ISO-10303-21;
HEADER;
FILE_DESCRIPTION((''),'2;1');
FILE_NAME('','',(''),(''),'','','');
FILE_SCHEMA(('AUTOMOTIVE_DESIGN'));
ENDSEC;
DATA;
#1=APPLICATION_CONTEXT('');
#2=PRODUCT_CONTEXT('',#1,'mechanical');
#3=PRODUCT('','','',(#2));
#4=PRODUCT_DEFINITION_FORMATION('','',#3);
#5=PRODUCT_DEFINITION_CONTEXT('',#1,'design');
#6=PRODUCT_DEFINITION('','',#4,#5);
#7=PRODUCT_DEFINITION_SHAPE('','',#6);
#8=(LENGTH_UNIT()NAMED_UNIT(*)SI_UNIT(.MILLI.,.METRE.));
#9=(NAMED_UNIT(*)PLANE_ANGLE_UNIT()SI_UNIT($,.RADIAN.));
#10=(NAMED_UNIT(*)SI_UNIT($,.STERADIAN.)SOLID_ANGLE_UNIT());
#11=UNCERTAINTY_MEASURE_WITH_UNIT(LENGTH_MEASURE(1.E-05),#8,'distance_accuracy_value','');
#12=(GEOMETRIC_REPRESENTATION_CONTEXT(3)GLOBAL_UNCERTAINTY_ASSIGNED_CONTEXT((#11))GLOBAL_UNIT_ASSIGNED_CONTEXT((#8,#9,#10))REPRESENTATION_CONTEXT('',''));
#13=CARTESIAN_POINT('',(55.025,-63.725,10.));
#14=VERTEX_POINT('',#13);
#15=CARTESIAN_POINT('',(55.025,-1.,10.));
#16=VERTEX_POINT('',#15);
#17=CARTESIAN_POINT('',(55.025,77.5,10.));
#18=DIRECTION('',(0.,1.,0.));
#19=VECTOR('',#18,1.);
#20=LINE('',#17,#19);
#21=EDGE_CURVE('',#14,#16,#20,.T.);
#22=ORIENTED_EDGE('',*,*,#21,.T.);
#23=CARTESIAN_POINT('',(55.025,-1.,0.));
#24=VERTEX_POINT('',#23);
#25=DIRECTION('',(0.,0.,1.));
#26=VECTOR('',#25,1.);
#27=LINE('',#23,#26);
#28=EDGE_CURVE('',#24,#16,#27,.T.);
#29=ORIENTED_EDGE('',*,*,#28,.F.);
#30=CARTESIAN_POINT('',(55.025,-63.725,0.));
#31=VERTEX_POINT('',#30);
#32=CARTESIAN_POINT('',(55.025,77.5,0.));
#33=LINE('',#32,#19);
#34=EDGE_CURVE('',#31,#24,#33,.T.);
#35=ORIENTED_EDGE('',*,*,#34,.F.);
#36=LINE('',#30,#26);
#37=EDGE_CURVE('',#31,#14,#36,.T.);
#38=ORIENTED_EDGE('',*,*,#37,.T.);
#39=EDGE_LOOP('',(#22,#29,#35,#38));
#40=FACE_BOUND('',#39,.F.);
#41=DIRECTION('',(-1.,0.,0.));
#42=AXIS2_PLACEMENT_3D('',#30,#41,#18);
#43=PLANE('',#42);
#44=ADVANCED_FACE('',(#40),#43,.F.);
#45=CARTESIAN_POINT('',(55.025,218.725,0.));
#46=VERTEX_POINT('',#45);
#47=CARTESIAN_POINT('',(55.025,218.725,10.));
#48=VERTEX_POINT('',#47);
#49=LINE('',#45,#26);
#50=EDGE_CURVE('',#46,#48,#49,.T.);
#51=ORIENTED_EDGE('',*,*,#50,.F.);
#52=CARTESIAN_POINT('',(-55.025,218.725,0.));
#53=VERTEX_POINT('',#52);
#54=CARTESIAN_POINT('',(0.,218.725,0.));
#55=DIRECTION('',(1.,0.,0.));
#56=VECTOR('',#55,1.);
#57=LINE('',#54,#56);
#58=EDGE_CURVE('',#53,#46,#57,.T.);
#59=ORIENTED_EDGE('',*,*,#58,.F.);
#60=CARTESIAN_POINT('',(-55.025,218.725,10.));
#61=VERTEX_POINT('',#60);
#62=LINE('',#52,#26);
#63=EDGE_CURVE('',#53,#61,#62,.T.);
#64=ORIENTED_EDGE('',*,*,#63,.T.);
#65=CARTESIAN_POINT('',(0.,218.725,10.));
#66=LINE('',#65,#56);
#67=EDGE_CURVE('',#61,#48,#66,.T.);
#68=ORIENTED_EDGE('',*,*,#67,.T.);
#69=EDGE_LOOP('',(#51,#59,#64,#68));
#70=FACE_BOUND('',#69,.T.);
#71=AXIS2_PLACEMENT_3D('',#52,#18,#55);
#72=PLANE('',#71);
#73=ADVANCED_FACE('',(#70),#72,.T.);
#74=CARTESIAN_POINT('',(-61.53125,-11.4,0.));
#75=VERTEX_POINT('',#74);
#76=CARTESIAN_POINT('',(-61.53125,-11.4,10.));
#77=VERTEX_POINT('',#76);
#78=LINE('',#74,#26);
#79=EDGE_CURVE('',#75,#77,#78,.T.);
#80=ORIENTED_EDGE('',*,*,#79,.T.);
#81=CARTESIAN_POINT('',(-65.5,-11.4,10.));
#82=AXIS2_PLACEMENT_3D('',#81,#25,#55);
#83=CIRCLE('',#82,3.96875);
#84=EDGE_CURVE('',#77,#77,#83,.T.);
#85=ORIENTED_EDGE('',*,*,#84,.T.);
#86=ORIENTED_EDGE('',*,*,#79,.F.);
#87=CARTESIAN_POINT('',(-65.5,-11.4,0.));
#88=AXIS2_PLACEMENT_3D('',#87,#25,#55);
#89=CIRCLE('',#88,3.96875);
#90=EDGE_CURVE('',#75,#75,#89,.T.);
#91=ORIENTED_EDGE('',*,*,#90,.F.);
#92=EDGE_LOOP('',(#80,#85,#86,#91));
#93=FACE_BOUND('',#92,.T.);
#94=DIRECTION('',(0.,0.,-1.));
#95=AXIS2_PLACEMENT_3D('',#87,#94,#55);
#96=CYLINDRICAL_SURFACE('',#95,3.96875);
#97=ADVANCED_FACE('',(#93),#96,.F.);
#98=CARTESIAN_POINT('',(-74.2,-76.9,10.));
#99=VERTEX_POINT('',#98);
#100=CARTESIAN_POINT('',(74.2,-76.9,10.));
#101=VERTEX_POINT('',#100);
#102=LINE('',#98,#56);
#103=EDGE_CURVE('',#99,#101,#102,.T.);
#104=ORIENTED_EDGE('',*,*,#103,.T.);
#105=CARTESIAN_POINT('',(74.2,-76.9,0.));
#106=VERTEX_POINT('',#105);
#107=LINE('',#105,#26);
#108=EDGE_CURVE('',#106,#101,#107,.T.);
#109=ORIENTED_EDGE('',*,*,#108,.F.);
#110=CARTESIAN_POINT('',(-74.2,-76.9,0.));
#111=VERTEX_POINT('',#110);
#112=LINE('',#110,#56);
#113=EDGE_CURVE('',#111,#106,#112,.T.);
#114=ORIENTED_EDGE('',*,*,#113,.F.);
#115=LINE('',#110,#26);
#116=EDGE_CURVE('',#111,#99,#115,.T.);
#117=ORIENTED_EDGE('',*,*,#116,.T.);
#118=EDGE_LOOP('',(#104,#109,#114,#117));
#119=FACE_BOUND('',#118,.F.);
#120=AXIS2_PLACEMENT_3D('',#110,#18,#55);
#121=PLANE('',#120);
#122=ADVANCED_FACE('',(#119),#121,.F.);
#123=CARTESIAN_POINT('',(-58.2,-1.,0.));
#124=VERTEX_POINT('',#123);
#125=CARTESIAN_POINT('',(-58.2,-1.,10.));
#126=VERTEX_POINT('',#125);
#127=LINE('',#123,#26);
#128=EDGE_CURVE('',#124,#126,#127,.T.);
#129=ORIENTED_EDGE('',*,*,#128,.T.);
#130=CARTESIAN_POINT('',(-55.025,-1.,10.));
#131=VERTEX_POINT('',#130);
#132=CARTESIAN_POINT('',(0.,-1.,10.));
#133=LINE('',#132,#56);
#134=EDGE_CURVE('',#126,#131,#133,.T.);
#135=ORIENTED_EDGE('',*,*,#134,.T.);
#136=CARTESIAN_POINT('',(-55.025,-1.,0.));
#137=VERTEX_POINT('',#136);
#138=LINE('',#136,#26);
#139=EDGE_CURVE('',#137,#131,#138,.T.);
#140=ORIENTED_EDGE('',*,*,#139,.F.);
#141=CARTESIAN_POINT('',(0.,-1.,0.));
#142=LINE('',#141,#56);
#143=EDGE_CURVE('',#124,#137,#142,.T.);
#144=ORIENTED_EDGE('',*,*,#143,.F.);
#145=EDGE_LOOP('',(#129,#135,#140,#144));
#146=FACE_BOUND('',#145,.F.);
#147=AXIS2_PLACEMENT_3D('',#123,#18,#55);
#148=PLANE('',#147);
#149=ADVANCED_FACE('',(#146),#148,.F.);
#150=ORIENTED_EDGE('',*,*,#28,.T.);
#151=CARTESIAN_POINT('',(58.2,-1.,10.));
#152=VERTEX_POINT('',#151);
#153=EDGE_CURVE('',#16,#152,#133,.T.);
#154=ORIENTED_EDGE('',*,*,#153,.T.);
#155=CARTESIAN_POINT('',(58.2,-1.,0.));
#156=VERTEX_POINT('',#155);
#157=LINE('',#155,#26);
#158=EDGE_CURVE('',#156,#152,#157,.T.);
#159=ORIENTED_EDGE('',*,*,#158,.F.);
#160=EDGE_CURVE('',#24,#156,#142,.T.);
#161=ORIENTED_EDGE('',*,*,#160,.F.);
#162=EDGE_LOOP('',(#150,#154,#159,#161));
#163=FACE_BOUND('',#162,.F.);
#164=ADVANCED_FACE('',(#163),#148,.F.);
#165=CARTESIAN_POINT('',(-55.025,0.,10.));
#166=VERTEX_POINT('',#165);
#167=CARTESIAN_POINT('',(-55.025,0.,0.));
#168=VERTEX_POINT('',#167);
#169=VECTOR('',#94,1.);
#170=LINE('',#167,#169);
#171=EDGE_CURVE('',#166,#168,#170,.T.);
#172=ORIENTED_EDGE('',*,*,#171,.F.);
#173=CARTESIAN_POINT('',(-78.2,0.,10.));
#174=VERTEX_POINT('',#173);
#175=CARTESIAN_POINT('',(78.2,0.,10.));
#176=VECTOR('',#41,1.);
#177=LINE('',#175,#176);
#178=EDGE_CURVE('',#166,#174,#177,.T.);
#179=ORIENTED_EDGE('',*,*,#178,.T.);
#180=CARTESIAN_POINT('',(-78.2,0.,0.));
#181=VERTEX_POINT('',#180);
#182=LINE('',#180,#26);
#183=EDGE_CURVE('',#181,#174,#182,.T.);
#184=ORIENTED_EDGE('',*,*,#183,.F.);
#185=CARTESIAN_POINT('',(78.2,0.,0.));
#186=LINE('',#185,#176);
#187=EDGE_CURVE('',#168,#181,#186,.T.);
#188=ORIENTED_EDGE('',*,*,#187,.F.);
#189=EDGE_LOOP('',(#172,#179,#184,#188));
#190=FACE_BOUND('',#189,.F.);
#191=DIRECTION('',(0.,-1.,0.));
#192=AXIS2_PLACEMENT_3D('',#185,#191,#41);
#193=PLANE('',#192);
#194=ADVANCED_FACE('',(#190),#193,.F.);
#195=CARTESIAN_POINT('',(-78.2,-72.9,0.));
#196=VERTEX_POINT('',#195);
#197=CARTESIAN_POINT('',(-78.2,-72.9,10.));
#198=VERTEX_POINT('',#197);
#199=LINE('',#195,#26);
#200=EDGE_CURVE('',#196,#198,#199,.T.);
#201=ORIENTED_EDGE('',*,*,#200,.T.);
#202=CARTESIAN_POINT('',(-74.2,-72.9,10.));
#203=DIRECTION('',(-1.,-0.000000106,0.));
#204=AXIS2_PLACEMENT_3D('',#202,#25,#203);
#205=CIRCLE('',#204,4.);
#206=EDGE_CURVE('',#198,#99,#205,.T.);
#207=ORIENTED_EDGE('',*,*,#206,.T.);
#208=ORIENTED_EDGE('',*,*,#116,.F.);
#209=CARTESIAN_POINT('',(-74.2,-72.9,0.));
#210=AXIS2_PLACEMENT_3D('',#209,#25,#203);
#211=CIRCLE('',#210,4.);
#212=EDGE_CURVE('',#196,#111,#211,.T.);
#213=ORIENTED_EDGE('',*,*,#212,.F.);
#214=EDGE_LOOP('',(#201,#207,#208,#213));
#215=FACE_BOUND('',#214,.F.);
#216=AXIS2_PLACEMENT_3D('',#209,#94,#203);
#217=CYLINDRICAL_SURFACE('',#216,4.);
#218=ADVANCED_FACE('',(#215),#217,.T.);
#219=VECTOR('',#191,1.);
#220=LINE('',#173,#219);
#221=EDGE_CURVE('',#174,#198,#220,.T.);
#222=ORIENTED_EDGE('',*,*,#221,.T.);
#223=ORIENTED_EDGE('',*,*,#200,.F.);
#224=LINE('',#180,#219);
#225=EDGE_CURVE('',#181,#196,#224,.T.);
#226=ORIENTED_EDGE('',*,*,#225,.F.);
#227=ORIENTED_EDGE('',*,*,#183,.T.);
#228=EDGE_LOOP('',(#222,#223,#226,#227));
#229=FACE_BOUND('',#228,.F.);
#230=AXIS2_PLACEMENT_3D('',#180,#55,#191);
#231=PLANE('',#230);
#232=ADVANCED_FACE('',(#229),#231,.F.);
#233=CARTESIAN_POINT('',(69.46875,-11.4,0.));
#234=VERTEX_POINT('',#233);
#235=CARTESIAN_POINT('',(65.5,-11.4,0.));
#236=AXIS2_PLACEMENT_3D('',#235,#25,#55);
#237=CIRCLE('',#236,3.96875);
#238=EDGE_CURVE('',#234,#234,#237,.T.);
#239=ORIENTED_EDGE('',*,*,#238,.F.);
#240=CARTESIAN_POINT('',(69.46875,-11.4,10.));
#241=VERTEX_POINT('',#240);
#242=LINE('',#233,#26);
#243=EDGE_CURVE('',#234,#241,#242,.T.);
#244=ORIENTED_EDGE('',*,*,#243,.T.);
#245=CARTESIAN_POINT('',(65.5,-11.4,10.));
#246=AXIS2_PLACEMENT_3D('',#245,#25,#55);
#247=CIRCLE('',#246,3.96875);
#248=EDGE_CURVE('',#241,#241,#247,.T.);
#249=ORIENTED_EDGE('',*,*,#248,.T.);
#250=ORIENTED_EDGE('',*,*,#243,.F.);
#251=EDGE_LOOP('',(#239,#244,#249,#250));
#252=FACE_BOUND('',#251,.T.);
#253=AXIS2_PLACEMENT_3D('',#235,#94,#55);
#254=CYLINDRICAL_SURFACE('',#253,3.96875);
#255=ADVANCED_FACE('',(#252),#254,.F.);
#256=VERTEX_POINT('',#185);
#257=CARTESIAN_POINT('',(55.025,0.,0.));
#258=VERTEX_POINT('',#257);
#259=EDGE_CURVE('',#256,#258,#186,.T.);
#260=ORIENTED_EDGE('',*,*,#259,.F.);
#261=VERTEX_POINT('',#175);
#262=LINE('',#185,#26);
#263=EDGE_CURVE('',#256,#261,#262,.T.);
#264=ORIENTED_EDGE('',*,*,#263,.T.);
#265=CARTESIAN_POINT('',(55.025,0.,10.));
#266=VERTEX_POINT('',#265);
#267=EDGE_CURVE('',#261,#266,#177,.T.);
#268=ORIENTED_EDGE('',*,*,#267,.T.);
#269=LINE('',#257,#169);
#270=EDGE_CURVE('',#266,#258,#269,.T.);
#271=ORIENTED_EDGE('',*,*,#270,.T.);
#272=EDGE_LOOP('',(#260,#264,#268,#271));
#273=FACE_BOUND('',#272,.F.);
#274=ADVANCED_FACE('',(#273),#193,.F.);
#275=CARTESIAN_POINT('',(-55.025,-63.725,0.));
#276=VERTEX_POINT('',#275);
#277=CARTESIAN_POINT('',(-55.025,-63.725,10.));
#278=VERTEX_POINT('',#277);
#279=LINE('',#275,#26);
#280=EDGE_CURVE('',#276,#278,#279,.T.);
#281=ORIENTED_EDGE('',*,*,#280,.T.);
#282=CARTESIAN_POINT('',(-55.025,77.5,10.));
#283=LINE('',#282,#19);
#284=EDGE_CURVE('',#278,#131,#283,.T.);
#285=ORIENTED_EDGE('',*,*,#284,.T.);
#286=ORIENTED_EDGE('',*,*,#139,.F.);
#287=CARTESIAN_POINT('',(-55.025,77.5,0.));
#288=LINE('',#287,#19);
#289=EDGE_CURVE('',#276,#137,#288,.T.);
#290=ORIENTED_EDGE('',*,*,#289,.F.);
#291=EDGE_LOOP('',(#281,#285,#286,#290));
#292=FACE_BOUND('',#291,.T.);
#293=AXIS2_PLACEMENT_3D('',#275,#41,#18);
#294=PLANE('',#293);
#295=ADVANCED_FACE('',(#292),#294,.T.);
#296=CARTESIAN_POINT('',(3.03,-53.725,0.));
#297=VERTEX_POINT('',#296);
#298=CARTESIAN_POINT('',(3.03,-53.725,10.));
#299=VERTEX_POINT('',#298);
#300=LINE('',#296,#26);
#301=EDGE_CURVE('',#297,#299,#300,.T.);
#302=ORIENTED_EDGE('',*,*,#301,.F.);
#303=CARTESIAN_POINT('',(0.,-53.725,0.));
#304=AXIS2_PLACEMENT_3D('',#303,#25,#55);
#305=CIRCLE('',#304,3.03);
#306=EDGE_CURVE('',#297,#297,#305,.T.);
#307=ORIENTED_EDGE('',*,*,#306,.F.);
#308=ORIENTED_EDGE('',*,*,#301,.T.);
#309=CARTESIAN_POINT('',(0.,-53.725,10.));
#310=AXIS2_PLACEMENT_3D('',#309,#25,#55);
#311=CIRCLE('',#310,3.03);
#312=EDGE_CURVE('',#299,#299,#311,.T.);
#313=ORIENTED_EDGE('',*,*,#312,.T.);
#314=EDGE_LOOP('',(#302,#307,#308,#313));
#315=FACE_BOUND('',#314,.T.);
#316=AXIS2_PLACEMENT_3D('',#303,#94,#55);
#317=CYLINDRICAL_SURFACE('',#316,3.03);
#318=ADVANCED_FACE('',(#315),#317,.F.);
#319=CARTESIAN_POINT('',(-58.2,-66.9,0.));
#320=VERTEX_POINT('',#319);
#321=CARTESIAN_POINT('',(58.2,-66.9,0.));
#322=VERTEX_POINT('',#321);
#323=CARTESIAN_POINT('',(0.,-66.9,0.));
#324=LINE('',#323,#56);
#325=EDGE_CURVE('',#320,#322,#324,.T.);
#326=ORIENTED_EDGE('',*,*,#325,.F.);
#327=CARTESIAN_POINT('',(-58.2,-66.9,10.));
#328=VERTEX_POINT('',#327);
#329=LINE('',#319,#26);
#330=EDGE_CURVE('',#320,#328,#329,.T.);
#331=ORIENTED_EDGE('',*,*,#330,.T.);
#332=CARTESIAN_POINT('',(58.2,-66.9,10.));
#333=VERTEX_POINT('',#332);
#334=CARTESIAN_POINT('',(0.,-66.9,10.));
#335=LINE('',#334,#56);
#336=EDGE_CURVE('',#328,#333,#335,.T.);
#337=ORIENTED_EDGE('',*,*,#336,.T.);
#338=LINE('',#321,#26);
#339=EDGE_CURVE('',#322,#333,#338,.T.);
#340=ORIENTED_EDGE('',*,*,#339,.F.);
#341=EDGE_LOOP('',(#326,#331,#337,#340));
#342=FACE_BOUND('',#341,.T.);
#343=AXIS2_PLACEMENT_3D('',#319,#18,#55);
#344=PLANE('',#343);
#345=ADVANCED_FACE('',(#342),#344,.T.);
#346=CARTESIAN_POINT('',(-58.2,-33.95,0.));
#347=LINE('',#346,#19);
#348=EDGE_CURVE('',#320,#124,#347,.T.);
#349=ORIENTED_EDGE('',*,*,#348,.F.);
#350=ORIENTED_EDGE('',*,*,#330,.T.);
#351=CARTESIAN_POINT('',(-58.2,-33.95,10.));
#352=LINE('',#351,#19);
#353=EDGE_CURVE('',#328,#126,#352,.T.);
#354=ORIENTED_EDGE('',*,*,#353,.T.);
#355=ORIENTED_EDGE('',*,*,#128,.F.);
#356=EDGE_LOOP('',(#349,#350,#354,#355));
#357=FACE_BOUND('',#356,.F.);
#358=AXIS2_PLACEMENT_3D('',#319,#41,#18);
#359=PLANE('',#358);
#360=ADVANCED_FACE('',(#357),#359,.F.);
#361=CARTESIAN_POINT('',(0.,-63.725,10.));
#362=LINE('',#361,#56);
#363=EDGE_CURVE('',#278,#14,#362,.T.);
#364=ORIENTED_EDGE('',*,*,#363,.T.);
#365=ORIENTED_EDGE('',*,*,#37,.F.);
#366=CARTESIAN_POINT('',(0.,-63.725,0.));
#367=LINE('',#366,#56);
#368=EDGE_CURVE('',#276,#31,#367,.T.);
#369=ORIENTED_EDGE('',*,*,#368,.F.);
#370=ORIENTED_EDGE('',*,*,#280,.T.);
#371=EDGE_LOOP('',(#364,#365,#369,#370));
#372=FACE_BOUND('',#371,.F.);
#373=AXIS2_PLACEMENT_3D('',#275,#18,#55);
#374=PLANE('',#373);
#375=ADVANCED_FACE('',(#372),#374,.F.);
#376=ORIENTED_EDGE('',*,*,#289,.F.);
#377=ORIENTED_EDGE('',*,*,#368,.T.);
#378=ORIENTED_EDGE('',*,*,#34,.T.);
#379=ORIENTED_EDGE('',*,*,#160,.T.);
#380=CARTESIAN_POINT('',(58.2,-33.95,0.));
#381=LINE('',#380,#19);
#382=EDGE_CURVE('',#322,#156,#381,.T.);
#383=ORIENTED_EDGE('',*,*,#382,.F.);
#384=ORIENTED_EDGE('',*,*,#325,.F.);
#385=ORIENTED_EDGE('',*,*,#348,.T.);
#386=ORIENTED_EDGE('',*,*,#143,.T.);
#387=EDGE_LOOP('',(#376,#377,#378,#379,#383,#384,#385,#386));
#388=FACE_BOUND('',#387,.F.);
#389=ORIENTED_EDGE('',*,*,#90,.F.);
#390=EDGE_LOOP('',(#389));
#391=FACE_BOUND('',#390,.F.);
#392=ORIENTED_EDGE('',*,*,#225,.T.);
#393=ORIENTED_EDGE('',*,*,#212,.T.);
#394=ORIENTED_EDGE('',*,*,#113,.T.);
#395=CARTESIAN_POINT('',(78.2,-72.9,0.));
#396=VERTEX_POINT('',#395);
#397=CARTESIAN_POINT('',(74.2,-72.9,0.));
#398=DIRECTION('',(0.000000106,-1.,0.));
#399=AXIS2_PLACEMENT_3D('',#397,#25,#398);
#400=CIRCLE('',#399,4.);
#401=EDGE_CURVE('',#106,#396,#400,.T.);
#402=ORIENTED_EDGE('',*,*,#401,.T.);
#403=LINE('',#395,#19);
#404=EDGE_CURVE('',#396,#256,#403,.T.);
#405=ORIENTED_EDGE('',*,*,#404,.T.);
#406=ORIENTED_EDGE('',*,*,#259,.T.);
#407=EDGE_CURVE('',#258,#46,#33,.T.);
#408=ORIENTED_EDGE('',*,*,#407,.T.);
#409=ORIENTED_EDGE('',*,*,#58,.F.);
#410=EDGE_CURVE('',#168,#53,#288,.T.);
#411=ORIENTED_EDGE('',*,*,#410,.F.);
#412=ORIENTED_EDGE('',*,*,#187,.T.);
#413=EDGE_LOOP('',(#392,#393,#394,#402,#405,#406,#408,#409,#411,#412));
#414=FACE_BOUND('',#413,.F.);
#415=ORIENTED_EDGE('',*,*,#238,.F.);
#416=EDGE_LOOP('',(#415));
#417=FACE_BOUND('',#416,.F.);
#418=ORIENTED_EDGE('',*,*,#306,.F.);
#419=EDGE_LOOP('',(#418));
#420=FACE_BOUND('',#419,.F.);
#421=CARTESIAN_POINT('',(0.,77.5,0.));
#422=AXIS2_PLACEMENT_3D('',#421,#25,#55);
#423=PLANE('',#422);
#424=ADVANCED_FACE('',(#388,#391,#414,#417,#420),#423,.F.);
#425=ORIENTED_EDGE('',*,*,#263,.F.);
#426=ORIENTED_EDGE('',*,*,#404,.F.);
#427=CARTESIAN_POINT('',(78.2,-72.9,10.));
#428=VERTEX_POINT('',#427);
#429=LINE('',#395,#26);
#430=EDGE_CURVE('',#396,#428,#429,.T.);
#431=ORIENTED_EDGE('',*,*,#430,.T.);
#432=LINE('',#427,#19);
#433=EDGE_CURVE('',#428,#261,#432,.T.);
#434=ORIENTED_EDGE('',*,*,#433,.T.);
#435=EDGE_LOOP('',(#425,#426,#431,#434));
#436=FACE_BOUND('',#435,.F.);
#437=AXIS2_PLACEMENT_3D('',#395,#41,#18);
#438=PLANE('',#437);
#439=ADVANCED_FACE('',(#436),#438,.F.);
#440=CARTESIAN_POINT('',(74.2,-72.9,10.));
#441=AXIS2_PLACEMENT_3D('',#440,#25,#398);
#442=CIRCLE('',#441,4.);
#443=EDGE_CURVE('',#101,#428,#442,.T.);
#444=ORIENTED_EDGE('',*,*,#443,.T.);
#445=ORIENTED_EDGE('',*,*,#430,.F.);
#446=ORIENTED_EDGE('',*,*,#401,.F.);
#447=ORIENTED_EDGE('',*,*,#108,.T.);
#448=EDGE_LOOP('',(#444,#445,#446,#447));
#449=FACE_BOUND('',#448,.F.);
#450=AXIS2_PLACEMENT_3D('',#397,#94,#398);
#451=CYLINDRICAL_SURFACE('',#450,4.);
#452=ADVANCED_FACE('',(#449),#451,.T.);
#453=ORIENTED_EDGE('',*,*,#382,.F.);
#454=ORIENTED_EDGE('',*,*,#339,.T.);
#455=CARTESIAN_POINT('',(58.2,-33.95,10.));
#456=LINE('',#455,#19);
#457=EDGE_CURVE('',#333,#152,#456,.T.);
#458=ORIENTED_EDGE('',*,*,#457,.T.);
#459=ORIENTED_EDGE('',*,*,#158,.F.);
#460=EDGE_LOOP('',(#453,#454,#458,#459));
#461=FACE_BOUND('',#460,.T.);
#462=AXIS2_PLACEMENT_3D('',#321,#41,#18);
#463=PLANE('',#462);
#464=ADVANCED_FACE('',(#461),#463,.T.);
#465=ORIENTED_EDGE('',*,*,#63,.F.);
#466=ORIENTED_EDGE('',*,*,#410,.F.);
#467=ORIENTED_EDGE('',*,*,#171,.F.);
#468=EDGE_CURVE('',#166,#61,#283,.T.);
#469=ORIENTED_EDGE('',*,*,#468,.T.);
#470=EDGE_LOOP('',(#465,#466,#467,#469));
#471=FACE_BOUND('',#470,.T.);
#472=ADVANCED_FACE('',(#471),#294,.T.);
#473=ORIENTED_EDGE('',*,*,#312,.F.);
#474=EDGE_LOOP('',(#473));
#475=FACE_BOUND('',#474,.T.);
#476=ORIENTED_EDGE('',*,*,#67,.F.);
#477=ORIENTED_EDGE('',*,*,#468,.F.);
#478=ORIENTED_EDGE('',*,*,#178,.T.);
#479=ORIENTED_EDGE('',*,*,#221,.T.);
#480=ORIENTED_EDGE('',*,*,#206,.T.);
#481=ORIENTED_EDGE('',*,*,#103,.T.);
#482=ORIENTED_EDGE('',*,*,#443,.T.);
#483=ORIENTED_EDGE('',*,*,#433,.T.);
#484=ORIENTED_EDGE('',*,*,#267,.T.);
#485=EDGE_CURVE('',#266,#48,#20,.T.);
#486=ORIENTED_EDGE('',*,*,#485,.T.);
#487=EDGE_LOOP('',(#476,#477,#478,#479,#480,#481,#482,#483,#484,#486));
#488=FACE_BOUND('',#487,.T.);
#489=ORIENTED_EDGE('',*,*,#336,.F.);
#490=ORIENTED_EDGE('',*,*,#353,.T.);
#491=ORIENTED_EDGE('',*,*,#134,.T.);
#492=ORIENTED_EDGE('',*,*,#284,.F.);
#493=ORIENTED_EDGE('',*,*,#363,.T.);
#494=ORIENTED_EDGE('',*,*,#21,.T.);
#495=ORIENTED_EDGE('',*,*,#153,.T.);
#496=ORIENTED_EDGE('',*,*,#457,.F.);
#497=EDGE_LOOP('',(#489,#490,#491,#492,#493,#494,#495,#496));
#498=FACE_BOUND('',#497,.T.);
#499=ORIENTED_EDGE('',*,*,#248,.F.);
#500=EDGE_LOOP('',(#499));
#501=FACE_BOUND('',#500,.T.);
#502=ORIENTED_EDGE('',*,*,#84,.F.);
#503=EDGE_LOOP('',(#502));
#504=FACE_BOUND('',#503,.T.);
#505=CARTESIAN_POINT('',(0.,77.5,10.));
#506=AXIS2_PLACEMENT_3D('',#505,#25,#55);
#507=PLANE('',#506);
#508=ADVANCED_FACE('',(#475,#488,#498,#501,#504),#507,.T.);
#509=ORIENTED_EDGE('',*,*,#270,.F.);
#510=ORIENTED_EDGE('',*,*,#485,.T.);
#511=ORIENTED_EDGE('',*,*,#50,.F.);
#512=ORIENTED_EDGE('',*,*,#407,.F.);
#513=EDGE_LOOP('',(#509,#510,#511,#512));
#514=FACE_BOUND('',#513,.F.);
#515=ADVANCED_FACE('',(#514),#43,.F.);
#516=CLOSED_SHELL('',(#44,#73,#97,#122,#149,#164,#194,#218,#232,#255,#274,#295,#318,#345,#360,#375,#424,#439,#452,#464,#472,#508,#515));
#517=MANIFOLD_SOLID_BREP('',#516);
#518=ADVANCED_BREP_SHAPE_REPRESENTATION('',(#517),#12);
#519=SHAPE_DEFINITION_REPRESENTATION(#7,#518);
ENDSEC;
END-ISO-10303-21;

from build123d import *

# Parameters (mm, degrees)
SKETCH_R       = 3.96875
SKETCH_W       = 116.4
SKETCH_H       = 65.9
PAD_DEPTH      = 10
BOX_W          = 110.05
BOX_H          = 282.45
BOX_DEPTH      = 10
CYLINDER_R     = 3.03
CYLINDER_DEPTH = 10


with BuildPart() as part:
    # Sketch → Pad (new body)
    with BuildSketch(Plane.XY):
        with BuildLine():
            Line((78.2, 0), (-78.2, 0))
            Line((-78.2, 0), (-78.2, -72.9))
            ThreePointArc((-78.2, -72.9), (-77.028427, -75.728427), (-74.2, -76.9))
            Line((-74.2, -76.9), (74.2, -76.9))
            ThreePointArc((74.2, -76.9), (77.028427, -75.728427), (78.2, -72.9))
            Line((78.2, -72.9), (78.2, 0))
        make_face()
        with Locations((-65.5, -11.4)):
            Circle(SKETCH_R, mode=Mode.SUBTRACT)
        with Locations((65.5, -11.4)):
            Circle(SKETCH_R, mode=Mode.SUBTRACT)
        with Locations((0, -33.95)):
            Rectangle(SKETCH_W, SKETCH_H, mode=Mode.SUBTRACT)
    extrude(amount=PAD_DEPTH)

    # Box → Box (join)
    with BuildSketch(Plane(origin=(-55.025, -63.725, 0), x_dir=(1, 0, 0), z_dir=(0, 0, 1))):
        with Locations((55.025, 141.225)):
            Rectangle(BOX_W, BOX_H)
    extrude(amount=BOX_DEPTH)

    # Cylinder → Cylinder (cut)
    with BuildSketch(Plane(origin=(0, -53.725, 0), x_dir=(1, 0, 0), z_dir=(0, 0, 1))):
        Circle(CYLINDER_R)
    extrude(amount=CYLINDER_DEPTH, mode=Mode.SUBTRACT)


solid = part.part
